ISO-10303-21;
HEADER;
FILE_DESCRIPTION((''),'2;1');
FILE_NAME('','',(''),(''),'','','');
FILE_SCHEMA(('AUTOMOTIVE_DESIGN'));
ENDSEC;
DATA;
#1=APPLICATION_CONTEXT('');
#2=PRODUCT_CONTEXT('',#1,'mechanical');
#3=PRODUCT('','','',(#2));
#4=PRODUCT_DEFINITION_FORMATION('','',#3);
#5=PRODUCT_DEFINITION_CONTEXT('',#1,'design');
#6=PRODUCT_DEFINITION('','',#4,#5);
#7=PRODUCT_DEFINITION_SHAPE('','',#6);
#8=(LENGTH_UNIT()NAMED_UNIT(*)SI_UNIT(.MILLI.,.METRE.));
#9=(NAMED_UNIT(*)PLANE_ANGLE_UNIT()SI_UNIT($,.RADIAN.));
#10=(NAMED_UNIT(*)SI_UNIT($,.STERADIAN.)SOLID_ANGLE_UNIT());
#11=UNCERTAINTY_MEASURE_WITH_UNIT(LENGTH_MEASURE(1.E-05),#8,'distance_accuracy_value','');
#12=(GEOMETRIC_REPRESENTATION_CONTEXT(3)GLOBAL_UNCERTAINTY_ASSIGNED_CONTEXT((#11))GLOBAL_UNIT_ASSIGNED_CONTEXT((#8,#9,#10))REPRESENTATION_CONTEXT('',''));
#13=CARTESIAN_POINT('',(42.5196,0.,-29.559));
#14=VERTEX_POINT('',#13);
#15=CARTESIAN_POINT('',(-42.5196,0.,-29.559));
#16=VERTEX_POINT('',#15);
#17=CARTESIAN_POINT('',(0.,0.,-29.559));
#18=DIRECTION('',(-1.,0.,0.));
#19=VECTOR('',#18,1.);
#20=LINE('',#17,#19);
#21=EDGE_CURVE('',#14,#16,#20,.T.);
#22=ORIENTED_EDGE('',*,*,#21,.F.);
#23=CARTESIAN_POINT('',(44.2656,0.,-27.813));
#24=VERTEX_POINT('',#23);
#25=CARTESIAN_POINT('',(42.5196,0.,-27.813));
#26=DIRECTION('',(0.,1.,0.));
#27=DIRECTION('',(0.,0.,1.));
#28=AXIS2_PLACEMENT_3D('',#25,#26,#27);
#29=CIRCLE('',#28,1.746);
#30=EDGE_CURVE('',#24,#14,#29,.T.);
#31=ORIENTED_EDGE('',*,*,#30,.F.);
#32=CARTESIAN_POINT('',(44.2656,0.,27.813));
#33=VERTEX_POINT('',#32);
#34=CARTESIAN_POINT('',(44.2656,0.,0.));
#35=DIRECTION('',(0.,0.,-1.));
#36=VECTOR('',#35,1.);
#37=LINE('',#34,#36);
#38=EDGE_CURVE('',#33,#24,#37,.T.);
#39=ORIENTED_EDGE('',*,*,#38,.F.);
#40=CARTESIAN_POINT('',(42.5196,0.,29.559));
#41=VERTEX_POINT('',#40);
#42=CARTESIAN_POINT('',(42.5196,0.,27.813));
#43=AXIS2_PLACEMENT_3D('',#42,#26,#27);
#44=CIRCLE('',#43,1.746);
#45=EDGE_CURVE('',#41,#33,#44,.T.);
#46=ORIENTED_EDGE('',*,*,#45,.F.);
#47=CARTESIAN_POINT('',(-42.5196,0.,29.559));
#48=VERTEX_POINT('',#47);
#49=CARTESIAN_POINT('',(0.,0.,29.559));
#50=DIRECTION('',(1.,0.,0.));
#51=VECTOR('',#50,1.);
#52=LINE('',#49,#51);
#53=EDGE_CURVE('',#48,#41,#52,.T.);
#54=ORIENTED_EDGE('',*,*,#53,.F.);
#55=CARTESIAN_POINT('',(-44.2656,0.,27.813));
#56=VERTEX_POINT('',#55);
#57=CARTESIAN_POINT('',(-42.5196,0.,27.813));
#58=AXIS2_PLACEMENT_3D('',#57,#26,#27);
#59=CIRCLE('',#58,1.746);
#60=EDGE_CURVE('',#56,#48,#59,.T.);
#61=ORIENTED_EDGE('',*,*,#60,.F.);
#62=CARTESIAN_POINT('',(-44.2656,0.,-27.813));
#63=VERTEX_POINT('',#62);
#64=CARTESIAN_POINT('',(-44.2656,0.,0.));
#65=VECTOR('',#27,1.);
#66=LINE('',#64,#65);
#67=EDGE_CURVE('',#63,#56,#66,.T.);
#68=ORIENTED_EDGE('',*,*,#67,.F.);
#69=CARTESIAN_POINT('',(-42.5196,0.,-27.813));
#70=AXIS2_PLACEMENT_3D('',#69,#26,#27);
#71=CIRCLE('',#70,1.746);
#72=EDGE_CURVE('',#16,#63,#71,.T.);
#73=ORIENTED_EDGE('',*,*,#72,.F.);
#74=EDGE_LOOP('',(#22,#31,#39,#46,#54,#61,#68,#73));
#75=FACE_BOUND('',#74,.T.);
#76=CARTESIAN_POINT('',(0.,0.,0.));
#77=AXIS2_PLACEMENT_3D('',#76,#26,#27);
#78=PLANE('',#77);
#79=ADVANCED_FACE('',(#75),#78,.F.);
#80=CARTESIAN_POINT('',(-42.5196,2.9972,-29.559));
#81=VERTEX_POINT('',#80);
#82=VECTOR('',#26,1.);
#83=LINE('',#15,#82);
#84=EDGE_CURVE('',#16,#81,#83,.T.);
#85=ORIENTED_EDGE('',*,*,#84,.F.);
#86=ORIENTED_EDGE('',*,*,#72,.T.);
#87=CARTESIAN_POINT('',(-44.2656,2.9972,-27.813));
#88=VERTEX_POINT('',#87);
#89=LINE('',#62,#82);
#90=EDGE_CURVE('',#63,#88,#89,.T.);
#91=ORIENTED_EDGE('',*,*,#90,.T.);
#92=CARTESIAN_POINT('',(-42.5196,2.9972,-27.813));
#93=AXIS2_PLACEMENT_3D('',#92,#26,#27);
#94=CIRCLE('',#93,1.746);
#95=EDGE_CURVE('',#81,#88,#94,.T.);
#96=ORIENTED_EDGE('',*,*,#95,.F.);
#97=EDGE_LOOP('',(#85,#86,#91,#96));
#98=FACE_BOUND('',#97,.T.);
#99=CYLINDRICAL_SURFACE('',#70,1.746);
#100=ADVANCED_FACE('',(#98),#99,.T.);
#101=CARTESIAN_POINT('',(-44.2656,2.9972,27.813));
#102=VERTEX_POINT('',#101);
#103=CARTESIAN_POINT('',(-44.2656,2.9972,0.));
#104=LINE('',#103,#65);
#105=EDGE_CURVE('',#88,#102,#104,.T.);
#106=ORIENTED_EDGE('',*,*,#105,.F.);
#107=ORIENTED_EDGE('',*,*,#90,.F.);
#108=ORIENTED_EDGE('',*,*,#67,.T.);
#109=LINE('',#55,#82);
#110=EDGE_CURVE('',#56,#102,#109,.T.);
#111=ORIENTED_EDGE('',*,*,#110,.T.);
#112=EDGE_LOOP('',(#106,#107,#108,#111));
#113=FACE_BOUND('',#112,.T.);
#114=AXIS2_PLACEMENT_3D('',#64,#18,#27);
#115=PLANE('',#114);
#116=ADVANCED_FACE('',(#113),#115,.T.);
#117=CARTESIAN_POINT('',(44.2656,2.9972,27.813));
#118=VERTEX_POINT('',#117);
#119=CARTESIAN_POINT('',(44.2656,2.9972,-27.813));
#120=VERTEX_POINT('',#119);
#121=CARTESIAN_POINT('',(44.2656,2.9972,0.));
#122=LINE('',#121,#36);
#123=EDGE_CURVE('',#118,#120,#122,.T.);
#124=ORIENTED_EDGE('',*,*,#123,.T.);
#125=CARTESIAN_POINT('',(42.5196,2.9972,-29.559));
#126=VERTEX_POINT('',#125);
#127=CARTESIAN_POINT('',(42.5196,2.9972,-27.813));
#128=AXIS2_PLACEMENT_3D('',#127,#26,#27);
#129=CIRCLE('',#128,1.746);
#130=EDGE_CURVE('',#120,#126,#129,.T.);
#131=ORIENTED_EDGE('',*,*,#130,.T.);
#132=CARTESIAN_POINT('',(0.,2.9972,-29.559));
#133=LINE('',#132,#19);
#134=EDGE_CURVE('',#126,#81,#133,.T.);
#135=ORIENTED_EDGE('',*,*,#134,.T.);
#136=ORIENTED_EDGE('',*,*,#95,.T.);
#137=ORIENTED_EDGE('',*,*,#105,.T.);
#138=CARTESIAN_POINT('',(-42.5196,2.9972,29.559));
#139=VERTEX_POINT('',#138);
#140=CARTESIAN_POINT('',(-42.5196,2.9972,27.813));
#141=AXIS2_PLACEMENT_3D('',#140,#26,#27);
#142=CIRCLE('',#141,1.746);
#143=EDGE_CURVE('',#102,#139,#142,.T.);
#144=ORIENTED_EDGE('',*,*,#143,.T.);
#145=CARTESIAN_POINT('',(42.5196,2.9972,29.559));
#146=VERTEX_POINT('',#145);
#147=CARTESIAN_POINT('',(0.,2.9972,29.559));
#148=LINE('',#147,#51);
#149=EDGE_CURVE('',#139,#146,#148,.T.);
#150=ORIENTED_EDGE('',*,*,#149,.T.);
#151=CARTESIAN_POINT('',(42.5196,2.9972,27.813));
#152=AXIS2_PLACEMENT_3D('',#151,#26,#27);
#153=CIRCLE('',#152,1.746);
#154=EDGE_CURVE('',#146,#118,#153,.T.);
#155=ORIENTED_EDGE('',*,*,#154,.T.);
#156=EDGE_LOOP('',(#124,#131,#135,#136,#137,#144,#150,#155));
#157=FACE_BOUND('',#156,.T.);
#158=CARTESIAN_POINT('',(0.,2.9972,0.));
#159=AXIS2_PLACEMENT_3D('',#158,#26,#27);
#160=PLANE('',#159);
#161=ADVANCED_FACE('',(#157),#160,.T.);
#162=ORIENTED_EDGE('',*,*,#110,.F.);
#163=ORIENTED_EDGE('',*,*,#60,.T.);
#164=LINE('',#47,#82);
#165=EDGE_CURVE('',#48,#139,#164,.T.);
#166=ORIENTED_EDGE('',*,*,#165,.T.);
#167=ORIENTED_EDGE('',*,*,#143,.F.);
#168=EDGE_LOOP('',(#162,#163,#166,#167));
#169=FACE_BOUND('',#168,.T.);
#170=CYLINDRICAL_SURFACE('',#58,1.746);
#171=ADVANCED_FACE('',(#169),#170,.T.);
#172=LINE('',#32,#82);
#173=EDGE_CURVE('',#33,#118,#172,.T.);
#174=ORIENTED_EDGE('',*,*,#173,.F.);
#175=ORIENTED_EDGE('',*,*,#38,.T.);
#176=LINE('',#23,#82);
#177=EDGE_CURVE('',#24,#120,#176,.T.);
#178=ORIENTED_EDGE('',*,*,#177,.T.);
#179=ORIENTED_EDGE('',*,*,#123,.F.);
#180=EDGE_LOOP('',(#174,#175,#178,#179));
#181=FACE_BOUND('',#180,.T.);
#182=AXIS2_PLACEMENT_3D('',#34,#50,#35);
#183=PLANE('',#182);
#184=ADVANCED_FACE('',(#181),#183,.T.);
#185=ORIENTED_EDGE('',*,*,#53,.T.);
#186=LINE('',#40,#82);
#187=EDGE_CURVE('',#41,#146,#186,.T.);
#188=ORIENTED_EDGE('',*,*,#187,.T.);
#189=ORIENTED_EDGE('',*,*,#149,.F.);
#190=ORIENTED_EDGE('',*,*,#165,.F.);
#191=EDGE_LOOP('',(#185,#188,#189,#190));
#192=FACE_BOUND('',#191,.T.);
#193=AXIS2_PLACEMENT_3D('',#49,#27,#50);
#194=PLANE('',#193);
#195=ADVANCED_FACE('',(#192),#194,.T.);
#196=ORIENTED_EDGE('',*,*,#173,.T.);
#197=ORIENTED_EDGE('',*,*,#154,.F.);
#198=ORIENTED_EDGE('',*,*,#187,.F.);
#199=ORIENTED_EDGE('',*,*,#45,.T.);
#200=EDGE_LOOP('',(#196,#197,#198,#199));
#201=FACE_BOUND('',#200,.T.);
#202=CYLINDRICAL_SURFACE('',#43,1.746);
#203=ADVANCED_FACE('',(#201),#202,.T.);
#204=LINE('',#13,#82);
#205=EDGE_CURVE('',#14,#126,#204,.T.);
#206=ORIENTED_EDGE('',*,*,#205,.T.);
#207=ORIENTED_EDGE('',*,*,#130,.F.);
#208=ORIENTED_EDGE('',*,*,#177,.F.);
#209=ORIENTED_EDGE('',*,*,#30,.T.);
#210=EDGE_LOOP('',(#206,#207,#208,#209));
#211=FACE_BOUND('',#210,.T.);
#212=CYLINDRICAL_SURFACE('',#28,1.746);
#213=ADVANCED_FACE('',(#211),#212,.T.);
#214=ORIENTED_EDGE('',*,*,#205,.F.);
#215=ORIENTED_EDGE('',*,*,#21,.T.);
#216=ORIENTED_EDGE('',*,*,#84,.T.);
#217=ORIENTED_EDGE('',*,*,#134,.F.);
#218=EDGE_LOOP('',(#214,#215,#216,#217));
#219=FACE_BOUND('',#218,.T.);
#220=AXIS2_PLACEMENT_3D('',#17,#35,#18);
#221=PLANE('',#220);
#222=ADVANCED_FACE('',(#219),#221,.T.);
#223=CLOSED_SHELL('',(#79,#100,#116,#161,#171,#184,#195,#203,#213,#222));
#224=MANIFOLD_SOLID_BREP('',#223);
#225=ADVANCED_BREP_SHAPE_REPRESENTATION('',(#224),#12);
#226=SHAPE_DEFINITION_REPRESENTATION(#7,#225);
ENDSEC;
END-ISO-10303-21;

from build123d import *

# Parameters (mm, degrees)
SKETCH1_W           = 89.0392
SKETCH1_H           = 59.626
BOSS_EXTRUDE1_DEPTH = 2.9972
FILLET1_R           = 2
CUT_EXTRUDE1_DEPTH  = 3.9972


with BuildPart() as part:
    # Sketch1 → Boss-Extrude1 (new body)
    with BuildSketch(Plane(origin=(0, 0, 0), x_dir=(1, 0, 0), z_dir=(0, 1, 0))):
        Rectangle(SKETCH1_W, SKETCH1_H)
    extrude(amount=BOSS_EXTRUDE1_DEPTH)

    # Fillet1
    fillet1_edges = [part.edges().sort_by_distance(p)[0] for p in [
        (44.5196, 1.4986, 29.813),
        (-44.5196, 1.4986, 29.813),
        (-44.5196, 1.4986, -29.813),
        (44.5196, 1.4986, -29.813),
    ]]
    fillet(fillet1_edges, radius=FILLET1_R)

    # Sketch2 → Cut-Extrude1 (cut, through all)
    with BuildSketch(Plane(origin=(0, 2.9972, 0), x_dir=(1, 0, 0), z_dir=(0, 1, 0))):
        with BuildLine():
            ThreePointArc((-42.5196, 29.813), (-43.933813562, 29.227213562), (-44.5196, 27.813))
            Line((-44.5196, 27.813), (-44.5196, -27.813))
            ThreePointArc((-44.5196, -27.813), (-43.933813562, -29.227213562), (-42.5196, -29.813))
            Line((-42.5196, -29.813), (42.5196, -29.813))
            ThreePointArc((42.5196, -29.813), (43.933813562, -29.227213562), (44.5196, -27.813))
            Line((44.5196, -27.813), (44.5196, 27.813))
            ThreePointArc((44.5196, 27.813), (43.933813562, 29.227213562), (42.5196, 29.813))
            Line((42.5196, 29.813), (-42.5196, 29.813))
        make_face()
        with BuildLine():
            ThreePointArc((-42.5196, 29.559), (-43.75420844, 29.04760844), (-44.2656, 27.813))
            Line((-44.2656, 27.813), (-44.2656, -27.813))
            ThreePointArc((-44.2656, -27.813), (-43.75420844, -29.04760844), (-42.5196, -29.559))
            Line((-42.5196, -29.559), (42.5196, -29.559))
            ThreePointArc((42.5196, -29.559), (43.75420844, -29.04760844), (44.2656, -27.813))
            Line((44.2656, -27.813), (44.2656, 27.813))
            ThreePointArc((44.2656, 27.813), (43.75420844, 29.04760844), (42.5196, 29.559))
            Line((42.5196, 29.559), (-42.5196, 29.559))
        make_face(mode=Mode.SUBTRACT)
    extrude(amount=-CUT_EXTRUDE1_DEPTH, mode=Mode.SUBTRACT)


solid = part.part
